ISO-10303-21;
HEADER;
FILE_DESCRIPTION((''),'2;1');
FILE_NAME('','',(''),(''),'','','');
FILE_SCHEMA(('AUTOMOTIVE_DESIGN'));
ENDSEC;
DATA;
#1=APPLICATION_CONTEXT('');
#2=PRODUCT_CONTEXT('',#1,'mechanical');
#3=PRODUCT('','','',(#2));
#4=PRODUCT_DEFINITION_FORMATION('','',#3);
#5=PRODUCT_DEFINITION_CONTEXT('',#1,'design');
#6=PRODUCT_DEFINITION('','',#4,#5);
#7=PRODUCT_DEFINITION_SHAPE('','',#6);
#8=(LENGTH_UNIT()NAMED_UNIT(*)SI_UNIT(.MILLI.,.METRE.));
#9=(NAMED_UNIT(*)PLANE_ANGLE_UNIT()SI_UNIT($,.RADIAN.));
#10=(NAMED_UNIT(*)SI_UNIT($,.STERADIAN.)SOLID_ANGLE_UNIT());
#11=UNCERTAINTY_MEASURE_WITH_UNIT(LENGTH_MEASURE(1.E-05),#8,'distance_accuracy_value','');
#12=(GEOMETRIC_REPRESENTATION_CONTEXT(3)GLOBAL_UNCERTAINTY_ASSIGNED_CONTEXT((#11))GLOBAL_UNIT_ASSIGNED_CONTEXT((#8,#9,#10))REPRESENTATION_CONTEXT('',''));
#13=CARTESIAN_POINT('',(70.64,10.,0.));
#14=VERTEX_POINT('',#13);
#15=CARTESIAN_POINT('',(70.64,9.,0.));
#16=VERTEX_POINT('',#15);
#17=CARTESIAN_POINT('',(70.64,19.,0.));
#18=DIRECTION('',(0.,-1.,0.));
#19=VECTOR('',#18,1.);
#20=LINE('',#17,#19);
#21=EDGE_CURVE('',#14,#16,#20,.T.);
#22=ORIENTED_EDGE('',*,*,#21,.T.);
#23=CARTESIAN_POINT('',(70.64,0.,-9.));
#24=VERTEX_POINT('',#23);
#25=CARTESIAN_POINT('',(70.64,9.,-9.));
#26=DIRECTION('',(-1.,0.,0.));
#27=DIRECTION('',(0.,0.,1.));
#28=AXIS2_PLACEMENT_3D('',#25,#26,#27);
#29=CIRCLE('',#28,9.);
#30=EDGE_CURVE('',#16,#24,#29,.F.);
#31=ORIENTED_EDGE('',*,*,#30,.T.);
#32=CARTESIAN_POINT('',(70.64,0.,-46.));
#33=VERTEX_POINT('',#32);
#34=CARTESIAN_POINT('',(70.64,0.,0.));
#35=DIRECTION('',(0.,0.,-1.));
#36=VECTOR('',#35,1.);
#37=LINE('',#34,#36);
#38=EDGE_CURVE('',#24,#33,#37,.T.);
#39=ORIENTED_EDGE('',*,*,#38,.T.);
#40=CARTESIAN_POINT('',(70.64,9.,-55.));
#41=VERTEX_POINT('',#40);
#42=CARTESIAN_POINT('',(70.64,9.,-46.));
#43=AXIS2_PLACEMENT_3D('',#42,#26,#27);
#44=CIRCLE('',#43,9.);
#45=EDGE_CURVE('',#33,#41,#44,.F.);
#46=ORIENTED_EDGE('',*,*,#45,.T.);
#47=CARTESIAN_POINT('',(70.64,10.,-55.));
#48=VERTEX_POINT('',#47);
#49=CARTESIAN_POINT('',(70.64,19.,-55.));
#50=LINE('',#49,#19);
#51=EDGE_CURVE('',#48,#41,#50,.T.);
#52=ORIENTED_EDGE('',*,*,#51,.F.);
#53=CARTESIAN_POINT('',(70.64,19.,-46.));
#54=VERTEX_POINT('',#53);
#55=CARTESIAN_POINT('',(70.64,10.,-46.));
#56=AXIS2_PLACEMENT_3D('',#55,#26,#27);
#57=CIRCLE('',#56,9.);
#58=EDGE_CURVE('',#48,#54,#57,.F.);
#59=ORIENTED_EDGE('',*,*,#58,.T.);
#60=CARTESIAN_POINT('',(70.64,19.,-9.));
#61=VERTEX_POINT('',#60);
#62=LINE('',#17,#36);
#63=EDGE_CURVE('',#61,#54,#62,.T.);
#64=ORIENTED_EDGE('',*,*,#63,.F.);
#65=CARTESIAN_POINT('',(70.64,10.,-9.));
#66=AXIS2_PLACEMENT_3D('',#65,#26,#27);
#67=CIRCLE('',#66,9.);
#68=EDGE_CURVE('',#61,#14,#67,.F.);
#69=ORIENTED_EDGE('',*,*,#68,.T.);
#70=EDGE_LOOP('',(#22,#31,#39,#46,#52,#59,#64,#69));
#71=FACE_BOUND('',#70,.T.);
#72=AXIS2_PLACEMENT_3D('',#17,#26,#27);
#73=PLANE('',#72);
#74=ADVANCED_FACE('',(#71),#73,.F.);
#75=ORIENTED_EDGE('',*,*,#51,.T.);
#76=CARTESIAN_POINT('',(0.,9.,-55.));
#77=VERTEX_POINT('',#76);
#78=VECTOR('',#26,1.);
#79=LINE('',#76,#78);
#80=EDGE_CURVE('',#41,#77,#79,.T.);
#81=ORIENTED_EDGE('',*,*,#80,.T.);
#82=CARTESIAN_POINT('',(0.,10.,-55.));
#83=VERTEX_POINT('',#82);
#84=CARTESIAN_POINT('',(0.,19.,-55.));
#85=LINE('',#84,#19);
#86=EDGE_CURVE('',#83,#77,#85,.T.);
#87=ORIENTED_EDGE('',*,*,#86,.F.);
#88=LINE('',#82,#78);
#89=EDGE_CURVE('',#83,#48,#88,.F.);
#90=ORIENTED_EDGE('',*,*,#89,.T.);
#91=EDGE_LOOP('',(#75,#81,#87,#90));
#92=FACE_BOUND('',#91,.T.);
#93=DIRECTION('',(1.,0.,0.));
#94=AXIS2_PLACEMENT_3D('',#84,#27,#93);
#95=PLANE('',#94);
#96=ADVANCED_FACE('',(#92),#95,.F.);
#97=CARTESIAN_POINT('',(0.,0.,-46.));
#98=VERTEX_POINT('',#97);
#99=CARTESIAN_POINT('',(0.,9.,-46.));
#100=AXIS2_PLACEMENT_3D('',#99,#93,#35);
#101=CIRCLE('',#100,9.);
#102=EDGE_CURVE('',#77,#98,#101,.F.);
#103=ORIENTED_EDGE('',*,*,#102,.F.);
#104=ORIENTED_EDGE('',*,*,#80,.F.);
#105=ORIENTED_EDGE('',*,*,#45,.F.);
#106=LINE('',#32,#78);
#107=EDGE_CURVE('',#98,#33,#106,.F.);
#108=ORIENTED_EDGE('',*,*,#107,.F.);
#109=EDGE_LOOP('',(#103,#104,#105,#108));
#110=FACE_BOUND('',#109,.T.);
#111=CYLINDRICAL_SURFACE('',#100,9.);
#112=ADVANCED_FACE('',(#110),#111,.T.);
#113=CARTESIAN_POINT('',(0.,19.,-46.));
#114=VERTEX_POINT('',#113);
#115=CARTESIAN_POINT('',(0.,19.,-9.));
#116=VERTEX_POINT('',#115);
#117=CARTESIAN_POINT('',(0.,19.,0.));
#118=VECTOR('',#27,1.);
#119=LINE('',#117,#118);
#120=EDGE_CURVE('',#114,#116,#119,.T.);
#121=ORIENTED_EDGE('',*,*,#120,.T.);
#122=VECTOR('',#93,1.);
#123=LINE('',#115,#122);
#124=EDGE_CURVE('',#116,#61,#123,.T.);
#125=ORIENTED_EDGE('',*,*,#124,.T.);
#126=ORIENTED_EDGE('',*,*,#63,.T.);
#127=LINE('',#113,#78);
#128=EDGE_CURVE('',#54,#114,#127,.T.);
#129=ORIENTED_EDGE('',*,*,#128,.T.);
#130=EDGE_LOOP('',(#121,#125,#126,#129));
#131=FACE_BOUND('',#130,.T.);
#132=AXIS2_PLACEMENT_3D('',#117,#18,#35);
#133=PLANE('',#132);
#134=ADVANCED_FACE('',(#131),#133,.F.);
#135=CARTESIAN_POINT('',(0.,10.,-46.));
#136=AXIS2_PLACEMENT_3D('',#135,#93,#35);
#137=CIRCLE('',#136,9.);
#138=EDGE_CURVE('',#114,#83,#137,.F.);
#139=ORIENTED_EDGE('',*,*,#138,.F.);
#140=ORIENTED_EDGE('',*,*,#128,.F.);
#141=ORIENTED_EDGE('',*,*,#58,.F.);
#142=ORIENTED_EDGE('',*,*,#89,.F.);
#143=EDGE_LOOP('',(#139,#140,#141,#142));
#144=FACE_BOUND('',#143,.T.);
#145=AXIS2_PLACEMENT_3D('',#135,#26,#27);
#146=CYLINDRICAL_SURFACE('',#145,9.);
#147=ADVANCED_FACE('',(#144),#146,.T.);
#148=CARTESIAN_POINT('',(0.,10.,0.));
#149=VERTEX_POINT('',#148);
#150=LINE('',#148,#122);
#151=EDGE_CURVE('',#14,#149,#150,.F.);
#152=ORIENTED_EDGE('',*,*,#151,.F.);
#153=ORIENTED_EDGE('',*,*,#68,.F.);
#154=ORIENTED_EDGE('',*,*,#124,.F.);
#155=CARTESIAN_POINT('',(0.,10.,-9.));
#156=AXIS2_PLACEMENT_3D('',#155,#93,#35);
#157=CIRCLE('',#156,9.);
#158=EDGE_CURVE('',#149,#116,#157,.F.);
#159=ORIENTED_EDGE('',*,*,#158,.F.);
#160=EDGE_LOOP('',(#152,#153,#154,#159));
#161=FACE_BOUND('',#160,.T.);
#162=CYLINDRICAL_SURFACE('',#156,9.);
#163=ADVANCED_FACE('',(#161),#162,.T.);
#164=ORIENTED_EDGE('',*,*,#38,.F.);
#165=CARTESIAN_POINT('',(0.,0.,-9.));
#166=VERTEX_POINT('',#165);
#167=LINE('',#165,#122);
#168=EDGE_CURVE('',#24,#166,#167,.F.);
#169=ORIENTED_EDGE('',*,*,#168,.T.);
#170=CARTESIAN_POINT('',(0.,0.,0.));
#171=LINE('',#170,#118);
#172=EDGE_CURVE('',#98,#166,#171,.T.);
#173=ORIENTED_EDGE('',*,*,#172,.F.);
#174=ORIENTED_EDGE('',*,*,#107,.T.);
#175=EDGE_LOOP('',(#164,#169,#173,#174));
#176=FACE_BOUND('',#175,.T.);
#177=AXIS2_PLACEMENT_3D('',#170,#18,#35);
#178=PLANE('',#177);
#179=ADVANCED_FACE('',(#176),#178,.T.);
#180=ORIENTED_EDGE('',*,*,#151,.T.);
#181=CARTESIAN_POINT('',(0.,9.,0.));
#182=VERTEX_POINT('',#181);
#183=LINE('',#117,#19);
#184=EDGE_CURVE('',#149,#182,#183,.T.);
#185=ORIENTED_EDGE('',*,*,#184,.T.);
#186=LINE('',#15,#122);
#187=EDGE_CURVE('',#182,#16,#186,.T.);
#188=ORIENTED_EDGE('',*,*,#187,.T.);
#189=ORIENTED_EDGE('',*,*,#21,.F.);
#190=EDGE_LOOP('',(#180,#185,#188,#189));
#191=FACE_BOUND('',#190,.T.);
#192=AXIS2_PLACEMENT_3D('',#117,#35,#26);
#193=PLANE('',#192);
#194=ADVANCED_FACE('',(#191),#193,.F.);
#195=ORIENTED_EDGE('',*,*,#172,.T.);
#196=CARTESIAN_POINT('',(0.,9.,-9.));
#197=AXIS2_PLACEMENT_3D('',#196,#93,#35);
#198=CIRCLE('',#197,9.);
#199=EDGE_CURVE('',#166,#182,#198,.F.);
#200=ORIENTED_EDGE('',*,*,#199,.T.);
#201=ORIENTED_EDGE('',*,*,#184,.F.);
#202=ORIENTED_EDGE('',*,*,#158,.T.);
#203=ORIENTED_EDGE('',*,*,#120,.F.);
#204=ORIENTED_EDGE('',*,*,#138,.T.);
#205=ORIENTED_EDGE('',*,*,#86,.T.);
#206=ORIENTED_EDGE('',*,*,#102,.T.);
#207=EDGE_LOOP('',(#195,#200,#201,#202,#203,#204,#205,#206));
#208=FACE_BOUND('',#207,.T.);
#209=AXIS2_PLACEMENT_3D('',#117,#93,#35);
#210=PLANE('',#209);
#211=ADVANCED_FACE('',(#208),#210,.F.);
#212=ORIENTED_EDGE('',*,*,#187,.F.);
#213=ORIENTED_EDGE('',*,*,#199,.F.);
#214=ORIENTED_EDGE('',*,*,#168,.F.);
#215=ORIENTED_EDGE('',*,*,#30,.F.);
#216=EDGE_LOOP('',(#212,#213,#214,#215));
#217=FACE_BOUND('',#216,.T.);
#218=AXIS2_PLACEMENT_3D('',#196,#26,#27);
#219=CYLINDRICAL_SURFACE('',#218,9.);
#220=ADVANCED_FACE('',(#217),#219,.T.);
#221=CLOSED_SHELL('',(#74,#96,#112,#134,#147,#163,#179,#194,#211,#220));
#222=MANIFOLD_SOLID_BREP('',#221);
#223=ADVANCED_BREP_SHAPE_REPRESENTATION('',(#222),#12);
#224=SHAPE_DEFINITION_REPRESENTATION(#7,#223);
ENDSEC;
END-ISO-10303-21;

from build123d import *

# Parameters (mm, degrees)
SKETCH1_W           = 70.64
SKETCH1_H           = 55
BOSS_EXTRUDE1_DEPTH = 19
FILLET2_R           = 9
FILLET3_R           = 9
FILLET4_R           = 9
FILLET5_R           = 9


with BuildPart() as part:
    # Sketch1 → Boss-Extrude1 (new body)
    with BuildSketch(Plane(origin=(0, 0, 0), x_dir=(1, 0, 0), z_dir=(0, 1, 0))):
        with Locations((35.32, 27.5)):
            Rectangle(SKETCH1_W, SKETCH1_H)
    extrude(amount=BOSS_EXTRUDE1_DEPTH)

    # Fillet2
    fillet2_edges = [part.edges().sort_by_distance(p)[0] for p in [
        (35.32, 19, -55),
    ]]
    fillet(fillet2_edges, radius=FILLET2_R)

    # Fillet3
    fillet3_edges = [part.edges().sort_by_distance(p)[0] for p in [
        (35.32, 0, -55),
    ]]
    fillet(fillet3_edges, radius=FILLET3_R)

    # Fillet4
    fillet4_edges = [part.edges().sort_by_distance(p)[0] for p in [
        (35.32, 19, 0),
    ]]
    fillet(fillet4_edges, radius=FILLET4_R)

    # Fillet5
    fillet5_edges = [part.edges().sort_by_distance(p)[0] for p in [
        (35.32, 0, 0),
    ]]
    fillet(fillet5_edges, radius=FILLET5_R)


solid = part.part
